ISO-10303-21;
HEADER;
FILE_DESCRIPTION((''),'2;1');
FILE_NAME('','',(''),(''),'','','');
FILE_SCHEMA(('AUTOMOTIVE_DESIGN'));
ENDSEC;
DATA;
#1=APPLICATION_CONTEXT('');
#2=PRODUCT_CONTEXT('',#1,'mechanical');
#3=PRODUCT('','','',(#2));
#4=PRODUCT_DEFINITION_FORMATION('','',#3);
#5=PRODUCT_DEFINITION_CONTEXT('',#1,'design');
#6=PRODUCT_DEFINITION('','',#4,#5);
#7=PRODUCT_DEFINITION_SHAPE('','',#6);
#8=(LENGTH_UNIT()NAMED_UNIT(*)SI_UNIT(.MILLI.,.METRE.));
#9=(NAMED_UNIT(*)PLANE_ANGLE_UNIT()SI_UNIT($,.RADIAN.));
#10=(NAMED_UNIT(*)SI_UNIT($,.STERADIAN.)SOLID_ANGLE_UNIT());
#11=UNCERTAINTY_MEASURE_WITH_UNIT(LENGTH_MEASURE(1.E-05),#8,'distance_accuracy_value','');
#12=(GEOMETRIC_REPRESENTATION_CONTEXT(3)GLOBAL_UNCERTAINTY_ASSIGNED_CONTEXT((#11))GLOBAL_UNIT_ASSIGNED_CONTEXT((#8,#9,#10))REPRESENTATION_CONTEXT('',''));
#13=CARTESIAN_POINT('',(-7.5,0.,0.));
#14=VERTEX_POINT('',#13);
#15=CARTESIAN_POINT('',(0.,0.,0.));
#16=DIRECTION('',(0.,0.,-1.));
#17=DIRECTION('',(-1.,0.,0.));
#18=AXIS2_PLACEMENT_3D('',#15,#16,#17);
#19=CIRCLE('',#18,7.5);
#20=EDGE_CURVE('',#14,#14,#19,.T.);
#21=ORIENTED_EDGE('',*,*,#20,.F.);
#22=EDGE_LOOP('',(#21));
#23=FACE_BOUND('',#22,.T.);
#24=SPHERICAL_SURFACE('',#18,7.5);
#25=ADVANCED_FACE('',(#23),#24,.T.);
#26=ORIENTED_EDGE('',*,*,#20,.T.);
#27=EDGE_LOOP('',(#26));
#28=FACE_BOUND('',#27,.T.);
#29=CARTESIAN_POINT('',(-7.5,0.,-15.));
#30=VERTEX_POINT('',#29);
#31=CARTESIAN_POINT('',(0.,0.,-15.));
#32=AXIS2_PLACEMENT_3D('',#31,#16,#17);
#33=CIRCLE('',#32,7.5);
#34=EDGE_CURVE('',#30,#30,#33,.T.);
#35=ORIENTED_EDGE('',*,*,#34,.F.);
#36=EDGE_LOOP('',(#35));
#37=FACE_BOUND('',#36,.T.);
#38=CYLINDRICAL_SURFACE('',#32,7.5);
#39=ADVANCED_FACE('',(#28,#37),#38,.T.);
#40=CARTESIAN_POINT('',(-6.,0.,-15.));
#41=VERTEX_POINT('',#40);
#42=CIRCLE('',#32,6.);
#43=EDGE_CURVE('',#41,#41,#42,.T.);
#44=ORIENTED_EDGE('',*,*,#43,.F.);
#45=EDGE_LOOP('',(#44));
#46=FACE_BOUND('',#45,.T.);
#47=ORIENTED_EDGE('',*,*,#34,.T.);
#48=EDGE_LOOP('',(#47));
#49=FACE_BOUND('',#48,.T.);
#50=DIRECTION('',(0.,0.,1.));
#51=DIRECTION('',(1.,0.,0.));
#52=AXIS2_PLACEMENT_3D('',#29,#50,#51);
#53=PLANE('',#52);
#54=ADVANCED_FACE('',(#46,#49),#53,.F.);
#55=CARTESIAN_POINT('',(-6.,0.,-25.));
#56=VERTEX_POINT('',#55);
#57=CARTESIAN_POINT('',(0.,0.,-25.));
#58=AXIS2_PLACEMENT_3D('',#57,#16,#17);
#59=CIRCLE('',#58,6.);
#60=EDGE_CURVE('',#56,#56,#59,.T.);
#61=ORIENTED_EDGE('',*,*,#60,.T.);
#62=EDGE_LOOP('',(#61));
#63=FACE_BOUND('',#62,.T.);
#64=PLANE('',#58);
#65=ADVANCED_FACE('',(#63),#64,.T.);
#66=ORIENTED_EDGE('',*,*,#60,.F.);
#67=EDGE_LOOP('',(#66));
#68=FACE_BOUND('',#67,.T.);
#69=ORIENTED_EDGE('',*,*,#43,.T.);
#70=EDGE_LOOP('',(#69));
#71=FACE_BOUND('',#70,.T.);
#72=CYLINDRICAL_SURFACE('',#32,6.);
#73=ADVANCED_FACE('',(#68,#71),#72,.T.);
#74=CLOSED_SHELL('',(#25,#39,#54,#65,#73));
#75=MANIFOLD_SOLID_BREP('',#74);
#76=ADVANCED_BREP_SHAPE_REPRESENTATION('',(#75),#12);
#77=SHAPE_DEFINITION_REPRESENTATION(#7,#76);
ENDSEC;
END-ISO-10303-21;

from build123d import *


with BuildPart() as part:
    # Sketch1 → Revolve3 (revolve)
    with BuildSketch(Plane(origin=(0, 0, 0), x_dir=(1, 0, 0), z_dir=(0, 1, 0))):
        with BuildLine():
            Line((-7.5, 0), (-7.5, 15))
            Line((-7.5, 15), (-6, 15))
            Line((-6, 15), (-6, 25))
            Line((-6, 25), (0, 25))
            Line((0, 25), (0, 15))
            Line((0, 15), (0, -7.5))
            ThreePointArc((0, -7.5), (-5.303300859, -5.303300859), (-7.5, 0))
        make_face()
    revolve(axis=Axis((0, 0, -15), (0, 0, 1)))


solid = part.part
